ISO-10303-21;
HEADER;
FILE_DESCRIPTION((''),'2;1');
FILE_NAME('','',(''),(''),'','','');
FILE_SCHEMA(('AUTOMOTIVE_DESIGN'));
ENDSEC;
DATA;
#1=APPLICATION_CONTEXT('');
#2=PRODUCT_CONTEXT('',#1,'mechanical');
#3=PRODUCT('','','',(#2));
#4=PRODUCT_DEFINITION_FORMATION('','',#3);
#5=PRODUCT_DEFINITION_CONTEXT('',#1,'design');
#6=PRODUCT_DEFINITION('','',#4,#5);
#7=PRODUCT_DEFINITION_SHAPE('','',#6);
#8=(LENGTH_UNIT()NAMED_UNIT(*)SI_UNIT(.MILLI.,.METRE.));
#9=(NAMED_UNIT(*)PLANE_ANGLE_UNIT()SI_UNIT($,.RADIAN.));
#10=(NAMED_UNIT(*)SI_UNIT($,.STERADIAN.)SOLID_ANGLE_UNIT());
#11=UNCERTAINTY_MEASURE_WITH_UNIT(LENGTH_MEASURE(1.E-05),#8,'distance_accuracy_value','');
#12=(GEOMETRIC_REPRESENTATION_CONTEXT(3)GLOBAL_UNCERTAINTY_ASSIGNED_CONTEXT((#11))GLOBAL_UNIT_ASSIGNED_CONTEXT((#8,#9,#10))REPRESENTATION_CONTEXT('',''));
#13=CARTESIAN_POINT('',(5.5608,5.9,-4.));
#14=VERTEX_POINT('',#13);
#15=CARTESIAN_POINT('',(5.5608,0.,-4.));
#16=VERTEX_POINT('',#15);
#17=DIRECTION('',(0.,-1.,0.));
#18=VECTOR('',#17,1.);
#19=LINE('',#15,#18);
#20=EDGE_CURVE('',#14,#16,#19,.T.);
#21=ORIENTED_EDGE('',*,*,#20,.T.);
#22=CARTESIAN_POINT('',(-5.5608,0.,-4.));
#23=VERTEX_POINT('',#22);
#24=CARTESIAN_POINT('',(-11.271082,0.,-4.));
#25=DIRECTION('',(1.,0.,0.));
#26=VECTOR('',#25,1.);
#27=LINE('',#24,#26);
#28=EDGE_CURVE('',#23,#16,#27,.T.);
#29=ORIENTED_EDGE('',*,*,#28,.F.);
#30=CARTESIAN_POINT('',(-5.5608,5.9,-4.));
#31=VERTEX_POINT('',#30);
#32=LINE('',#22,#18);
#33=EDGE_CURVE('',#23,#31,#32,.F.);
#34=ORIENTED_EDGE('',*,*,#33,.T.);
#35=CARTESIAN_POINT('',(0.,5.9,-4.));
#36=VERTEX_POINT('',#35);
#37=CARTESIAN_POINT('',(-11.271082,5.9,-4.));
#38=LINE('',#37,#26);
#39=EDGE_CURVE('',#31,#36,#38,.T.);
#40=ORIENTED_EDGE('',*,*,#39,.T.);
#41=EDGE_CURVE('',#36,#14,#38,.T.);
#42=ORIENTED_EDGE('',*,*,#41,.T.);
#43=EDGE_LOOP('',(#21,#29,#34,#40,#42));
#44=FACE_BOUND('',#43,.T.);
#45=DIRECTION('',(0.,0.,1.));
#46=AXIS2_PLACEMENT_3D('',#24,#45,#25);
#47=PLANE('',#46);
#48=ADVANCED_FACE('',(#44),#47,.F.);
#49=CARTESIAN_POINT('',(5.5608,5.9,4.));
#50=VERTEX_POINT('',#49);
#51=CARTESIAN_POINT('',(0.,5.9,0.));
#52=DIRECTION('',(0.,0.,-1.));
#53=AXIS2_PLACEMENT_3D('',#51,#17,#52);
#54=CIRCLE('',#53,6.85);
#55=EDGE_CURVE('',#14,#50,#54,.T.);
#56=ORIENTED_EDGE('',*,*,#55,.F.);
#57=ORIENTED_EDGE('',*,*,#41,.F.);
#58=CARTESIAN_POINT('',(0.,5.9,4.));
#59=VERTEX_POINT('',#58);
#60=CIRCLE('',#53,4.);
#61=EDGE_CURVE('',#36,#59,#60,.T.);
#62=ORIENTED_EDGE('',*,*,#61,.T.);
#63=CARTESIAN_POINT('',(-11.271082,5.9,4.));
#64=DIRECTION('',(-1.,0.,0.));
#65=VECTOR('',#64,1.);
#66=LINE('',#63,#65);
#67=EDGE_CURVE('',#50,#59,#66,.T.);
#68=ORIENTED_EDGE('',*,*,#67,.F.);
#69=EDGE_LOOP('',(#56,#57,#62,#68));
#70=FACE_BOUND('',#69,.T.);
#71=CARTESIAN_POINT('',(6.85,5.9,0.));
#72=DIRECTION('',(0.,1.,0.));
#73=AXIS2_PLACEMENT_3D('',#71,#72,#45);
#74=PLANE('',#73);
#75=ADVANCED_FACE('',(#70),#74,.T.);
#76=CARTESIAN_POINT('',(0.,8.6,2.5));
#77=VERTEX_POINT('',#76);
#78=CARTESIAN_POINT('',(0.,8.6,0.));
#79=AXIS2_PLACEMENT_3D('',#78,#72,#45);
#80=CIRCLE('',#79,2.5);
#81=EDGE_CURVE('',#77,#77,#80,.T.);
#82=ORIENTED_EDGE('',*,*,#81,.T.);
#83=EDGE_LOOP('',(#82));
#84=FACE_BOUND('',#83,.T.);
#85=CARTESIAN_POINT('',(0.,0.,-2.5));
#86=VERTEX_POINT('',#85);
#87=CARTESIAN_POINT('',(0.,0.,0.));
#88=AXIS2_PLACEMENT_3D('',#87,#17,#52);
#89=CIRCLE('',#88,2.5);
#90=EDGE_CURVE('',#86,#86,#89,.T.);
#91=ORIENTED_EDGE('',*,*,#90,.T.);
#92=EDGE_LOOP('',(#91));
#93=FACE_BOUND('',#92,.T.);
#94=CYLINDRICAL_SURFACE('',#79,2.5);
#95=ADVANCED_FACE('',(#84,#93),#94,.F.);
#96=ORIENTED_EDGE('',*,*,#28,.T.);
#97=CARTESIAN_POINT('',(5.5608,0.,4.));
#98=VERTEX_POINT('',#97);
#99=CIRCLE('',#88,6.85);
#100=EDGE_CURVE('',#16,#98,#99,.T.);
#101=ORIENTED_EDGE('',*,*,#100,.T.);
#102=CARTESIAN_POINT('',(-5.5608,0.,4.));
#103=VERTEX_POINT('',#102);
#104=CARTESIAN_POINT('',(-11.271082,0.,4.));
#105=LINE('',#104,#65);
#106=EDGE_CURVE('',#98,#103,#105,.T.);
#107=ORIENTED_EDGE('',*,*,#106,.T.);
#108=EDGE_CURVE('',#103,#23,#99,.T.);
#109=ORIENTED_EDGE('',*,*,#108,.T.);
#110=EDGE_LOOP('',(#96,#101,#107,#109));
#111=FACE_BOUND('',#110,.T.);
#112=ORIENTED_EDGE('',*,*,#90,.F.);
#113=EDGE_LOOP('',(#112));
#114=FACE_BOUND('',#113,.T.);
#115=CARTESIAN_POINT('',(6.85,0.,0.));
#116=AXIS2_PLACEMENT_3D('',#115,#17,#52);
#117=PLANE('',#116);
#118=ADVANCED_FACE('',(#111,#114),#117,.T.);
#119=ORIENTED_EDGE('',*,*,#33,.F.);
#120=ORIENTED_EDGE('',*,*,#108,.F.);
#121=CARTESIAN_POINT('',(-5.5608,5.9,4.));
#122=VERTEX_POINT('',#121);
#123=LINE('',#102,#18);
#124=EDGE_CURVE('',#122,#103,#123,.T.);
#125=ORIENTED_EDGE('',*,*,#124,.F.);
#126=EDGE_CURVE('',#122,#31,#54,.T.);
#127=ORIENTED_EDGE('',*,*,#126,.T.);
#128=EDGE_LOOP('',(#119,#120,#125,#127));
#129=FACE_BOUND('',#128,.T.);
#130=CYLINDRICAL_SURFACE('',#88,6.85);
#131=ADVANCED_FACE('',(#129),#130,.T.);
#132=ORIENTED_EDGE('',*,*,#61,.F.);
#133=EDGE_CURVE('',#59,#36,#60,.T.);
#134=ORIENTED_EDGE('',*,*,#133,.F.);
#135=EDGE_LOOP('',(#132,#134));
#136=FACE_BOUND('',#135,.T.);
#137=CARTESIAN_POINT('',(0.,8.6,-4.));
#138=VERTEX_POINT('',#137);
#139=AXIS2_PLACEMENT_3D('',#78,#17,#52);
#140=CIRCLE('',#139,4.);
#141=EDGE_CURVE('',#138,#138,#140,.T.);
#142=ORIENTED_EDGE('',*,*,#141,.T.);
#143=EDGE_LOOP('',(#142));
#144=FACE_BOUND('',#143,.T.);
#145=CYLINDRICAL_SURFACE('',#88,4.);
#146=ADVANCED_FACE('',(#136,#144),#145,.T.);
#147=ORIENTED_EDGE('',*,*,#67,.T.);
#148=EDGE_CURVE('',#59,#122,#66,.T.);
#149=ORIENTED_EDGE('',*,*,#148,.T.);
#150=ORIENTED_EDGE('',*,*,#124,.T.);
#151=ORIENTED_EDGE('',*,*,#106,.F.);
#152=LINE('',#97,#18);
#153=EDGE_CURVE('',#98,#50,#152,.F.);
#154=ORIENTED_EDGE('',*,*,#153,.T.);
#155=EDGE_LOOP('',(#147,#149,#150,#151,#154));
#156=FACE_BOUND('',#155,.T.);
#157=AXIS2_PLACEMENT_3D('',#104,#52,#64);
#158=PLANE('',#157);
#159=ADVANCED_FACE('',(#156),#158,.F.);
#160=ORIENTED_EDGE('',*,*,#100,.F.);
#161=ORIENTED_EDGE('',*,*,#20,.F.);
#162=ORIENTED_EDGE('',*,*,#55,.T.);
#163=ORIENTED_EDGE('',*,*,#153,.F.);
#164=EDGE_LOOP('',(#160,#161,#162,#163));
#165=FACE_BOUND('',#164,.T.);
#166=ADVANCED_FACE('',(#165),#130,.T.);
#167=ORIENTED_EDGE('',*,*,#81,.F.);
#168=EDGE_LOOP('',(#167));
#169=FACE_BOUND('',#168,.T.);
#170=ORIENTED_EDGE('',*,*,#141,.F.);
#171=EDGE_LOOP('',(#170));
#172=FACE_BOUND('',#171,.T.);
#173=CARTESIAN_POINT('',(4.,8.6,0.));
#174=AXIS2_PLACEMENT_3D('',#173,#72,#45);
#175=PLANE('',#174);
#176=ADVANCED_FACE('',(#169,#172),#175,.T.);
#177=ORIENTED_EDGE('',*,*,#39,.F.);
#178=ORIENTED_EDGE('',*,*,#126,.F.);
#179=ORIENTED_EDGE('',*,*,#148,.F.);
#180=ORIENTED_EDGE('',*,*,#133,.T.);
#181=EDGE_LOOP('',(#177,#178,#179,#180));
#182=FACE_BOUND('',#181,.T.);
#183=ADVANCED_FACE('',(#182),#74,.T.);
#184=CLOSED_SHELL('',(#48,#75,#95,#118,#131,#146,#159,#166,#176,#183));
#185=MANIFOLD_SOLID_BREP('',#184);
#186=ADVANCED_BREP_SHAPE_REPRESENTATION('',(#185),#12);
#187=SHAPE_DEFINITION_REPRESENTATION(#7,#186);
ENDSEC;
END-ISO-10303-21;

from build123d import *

# Parameters (mm, degrees)
SKETCH_6_W             = 19.342786847
SKETCH_6_H             = 6.481709878
CUT_EXTRUDE_2_DEPTH    = 12.342618745
HOLE_WIZARD_M6_1_D     = 5
HOLE_WIZARD_M6_1_DEPTH = 28
HOLE_WIZARD_M6_1_TIP   = 1.502151548


with BuildPart() as part:
    # 草图4 → 旋转2 (revolve)
    with BuildSketch(Plane.XY, mode=Mode.PRIVATE) as revolve_2_sk:
        Polygon((0, 0), (0, 8.6), (4, 8.6), (4, 5.9), (6.85, 5.9), (6.85, 0), align=None)
    revolve(revolve_2_sk.sketch.rotate(Axis((0, 0, 0), (0, 1, 0)), 90), axis=Axis((0, 0, 0), (0, 1, 0)))

    # 草图6 → 切除-拉伸2 (cut, through all)
    with BuildSketch(Plane(origin=(0, 5.9, 0), x_dir=(1, 0, 0), z_dir=(0, 1, 0))):
        with Locations((-1.599688833, 7.240854939)):
            Rectangle(SKETCH_6_W, SKETCH_6_H)
        with Locations((-1.599688833, -7.240854939)):
            Rectangle(SKETCH_6_W, SKETCH_6_H)
    extrude(amount=-CUT_EXTRUDE_2_DEPTH, mode=Mode.SUBTRACT)

    # M6 螺纹孔1
    with Locations(Plane.ZX.offset(8.6)):
        with Locations((0, 0)):
            Hole(HOLE_WIZARD_M6_1_D / 2, depth=HOLE_WIZARD_M6_1_DEPTH)
            with Locations((0, 0, -(HOLE_WIZARD_M6_1_DEPTH + HOLE_WIZARD_M6_1_TIP / 2))):  # 118° drill point
                Cone(0, HOLE_WIZARD_M6_1_D / 2, HOLE_WIZARD_M6_1_TIP, mode=Mode.SUBTRACT)


solid = part.part
